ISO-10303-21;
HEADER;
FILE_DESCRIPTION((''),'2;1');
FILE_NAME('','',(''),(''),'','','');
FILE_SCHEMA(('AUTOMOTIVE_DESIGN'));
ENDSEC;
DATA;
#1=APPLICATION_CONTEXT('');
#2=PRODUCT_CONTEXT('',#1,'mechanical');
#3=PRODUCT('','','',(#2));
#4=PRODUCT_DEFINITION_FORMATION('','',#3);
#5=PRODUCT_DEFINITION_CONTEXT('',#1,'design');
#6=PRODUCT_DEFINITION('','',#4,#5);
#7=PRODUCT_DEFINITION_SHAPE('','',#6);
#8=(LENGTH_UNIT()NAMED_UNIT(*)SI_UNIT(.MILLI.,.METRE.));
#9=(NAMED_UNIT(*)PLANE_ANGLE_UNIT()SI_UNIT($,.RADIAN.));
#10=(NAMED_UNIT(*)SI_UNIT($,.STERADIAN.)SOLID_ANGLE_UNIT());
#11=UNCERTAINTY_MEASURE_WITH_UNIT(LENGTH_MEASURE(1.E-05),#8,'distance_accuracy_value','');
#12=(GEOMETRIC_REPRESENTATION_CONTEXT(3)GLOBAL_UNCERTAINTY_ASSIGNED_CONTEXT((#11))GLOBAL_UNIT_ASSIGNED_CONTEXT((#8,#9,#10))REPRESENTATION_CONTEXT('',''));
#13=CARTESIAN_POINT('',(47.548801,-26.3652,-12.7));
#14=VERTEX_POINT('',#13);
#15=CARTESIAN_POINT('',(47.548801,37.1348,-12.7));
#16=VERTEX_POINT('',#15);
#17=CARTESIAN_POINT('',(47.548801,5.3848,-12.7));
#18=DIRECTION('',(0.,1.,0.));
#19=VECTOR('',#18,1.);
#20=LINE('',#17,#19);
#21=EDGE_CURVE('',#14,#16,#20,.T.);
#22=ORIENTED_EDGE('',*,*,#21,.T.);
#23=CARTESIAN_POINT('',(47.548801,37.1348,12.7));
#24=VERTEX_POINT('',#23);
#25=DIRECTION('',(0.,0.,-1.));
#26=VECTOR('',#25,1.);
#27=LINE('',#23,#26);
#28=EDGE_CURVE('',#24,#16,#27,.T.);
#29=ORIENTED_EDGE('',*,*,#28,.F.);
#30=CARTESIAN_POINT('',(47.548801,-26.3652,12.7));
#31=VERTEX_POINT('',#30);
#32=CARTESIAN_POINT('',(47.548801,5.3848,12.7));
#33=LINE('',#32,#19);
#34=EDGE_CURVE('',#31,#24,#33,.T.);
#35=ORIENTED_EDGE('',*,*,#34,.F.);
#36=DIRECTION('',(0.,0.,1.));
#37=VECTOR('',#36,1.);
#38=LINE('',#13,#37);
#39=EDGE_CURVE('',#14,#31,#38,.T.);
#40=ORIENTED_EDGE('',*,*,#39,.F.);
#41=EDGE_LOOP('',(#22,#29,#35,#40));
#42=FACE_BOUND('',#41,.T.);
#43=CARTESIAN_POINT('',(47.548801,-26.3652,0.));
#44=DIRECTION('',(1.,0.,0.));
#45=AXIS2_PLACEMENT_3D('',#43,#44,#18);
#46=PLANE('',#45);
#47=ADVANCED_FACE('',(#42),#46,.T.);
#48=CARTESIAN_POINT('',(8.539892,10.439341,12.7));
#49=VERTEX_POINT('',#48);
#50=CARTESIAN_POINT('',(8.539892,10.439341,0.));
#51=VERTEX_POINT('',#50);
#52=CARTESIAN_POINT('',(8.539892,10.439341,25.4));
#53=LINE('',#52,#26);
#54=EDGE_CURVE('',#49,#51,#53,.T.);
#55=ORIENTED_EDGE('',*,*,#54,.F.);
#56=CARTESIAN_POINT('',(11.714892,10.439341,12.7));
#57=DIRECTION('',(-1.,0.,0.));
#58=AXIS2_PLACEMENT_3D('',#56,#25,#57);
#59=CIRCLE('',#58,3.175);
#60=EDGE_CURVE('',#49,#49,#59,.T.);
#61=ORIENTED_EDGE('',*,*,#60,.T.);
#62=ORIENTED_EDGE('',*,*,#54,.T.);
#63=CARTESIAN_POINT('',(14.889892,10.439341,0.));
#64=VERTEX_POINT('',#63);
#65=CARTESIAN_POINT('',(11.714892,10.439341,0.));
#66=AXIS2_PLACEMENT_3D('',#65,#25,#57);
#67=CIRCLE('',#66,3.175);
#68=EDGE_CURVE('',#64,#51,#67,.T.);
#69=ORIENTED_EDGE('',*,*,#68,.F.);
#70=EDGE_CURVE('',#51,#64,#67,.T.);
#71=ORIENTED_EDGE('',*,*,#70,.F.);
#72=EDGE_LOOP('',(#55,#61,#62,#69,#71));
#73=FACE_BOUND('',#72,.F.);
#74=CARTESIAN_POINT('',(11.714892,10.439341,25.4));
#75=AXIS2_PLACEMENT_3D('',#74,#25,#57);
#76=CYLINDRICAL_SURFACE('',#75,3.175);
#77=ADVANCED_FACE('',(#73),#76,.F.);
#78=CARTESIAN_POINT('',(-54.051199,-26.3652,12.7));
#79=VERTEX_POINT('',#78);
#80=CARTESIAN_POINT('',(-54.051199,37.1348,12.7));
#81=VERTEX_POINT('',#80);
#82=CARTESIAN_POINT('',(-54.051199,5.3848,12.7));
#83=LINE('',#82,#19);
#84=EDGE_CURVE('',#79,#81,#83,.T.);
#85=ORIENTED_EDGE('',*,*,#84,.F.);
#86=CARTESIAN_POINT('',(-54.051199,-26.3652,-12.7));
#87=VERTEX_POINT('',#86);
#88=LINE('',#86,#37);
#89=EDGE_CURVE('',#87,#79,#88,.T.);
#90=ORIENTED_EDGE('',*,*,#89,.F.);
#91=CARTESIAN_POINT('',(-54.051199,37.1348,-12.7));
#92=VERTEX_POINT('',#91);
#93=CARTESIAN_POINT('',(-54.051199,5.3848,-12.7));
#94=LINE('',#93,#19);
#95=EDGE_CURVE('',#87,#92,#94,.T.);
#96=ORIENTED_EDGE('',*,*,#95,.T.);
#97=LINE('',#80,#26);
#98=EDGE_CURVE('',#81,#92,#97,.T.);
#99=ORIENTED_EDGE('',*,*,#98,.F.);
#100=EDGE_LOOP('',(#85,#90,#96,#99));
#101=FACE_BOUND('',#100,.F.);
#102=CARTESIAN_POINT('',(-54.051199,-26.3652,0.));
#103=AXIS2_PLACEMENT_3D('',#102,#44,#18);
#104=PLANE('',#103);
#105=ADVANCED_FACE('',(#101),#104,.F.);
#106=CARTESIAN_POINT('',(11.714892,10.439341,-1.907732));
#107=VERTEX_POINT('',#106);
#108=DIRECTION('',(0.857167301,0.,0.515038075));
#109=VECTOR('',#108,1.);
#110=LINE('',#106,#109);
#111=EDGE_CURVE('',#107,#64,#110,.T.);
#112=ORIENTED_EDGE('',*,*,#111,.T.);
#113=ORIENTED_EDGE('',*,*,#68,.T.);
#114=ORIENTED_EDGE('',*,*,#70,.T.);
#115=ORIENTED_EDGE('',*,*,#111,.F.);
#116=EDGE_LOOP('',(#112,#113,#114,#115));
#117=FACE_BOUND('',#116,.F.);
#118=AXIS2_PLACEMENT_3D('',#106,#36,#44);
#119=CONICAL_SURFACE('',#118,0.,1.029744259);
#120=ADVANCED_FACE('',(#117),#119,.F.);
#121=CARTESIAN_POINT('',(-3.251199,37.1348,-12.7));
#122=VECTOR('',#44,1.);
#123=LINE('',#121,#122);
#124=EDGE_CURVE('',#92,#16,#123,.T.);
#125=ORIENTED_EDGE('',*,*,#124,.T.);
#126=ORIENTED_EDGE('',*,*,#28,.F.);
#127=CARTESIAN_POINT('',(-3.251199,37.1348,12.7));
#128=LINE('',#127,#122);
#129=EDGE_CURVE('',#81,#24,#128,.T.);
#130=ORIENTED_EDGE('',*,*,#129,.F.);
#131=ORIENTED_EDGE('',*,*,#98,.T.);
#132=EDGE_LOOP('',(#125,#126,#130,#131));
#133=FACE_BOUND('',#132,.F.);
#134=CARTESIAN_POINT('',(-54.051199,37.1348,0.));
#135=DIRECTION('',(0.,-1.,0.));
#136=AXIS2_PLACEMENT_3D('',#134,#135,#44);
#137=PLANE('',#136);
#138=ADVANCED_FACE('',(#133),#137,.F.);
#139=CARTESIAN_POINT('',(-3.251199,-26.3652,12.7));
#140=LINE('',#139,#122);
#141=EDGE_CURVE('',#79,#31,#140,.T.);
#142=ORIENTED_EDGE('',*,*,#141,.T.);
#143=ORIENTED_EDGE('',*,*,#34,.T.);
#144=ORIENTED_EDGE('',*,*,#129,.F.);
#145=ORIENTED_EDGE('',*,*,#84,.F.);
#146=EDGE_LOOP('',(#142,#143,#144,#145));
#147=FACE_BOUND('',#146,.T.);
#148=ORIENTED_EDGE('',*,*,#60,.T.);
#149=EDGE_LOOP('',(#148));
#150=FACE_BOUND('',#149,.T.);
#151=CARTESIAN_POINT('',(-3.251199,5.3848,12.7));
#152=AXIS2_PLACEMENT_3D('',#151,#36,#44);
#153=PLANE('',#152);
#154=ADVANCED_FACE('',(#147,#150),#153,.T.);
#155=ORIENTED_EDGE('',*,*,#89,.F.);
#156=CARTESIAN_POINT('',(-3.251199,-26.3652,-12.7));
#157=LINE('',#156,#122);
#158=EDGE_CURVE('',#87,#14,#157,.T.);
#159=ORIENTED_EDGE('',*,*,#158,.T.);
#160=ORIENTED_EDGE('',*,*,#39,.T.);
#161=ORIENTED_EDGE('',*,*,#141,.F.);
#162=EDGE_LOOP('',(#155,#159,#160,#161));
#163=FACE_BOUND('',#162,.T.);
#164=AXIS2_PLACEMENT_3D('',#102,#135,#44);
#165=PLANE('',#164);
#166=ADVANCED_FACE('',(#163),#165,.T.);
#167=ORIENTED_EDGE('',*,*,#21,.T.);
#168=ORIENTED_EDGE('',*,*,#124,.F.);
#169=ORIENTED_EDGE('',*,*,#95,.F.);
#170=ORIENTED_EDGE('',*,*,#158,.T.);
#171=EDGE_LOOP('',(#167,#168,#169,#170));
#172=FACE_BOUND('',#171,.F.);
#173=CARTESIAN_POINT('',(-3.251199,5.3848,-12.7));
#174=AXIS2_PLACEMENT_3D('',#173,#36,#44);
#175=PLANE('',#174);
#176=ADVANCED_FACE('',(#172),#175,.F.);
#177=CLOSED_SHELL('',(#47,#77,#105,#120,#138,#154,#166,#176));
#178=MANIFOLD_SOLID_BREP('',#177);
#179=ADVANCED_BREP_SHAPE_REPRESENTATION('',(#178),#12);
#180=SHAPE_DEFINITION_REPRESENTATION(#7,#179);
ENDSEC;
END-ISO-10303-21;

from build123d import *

# Parameters (mm, degrees)
F0_W     = 101.6
F0_H     = 63.5
F1_DEPTH = 12.7
F3_D     = 6.35
F3_DEPTH = 12.7
F3_TIP   = 1.9077324654


with BuildPart() as f1:
    # F0 (on Top) → F1 (new body, symmetric)
    with BuildSketch(Plane.XY):
        with Locations((-3.2511992931, 5.3847999424)):
            Rectangle(F0_W, F0_H)
    extrude(amount=F1_DEPTH, both=True)

    # F3
    with Locations(Plane.XY.offset(12.7)):
        with Locations((11.7148924619, 10.4393409565)):
            Hole(F3_D / 2, depth=F3_DEPTH)
            with Locations((0, 0, -(F3_DEPTH + F3_TIP / 2))):  # 118° drill point
                Cone(0, F3_D / 2, F3_TIP, mode=Mode.SUBTRACT)


solid = f1.part
